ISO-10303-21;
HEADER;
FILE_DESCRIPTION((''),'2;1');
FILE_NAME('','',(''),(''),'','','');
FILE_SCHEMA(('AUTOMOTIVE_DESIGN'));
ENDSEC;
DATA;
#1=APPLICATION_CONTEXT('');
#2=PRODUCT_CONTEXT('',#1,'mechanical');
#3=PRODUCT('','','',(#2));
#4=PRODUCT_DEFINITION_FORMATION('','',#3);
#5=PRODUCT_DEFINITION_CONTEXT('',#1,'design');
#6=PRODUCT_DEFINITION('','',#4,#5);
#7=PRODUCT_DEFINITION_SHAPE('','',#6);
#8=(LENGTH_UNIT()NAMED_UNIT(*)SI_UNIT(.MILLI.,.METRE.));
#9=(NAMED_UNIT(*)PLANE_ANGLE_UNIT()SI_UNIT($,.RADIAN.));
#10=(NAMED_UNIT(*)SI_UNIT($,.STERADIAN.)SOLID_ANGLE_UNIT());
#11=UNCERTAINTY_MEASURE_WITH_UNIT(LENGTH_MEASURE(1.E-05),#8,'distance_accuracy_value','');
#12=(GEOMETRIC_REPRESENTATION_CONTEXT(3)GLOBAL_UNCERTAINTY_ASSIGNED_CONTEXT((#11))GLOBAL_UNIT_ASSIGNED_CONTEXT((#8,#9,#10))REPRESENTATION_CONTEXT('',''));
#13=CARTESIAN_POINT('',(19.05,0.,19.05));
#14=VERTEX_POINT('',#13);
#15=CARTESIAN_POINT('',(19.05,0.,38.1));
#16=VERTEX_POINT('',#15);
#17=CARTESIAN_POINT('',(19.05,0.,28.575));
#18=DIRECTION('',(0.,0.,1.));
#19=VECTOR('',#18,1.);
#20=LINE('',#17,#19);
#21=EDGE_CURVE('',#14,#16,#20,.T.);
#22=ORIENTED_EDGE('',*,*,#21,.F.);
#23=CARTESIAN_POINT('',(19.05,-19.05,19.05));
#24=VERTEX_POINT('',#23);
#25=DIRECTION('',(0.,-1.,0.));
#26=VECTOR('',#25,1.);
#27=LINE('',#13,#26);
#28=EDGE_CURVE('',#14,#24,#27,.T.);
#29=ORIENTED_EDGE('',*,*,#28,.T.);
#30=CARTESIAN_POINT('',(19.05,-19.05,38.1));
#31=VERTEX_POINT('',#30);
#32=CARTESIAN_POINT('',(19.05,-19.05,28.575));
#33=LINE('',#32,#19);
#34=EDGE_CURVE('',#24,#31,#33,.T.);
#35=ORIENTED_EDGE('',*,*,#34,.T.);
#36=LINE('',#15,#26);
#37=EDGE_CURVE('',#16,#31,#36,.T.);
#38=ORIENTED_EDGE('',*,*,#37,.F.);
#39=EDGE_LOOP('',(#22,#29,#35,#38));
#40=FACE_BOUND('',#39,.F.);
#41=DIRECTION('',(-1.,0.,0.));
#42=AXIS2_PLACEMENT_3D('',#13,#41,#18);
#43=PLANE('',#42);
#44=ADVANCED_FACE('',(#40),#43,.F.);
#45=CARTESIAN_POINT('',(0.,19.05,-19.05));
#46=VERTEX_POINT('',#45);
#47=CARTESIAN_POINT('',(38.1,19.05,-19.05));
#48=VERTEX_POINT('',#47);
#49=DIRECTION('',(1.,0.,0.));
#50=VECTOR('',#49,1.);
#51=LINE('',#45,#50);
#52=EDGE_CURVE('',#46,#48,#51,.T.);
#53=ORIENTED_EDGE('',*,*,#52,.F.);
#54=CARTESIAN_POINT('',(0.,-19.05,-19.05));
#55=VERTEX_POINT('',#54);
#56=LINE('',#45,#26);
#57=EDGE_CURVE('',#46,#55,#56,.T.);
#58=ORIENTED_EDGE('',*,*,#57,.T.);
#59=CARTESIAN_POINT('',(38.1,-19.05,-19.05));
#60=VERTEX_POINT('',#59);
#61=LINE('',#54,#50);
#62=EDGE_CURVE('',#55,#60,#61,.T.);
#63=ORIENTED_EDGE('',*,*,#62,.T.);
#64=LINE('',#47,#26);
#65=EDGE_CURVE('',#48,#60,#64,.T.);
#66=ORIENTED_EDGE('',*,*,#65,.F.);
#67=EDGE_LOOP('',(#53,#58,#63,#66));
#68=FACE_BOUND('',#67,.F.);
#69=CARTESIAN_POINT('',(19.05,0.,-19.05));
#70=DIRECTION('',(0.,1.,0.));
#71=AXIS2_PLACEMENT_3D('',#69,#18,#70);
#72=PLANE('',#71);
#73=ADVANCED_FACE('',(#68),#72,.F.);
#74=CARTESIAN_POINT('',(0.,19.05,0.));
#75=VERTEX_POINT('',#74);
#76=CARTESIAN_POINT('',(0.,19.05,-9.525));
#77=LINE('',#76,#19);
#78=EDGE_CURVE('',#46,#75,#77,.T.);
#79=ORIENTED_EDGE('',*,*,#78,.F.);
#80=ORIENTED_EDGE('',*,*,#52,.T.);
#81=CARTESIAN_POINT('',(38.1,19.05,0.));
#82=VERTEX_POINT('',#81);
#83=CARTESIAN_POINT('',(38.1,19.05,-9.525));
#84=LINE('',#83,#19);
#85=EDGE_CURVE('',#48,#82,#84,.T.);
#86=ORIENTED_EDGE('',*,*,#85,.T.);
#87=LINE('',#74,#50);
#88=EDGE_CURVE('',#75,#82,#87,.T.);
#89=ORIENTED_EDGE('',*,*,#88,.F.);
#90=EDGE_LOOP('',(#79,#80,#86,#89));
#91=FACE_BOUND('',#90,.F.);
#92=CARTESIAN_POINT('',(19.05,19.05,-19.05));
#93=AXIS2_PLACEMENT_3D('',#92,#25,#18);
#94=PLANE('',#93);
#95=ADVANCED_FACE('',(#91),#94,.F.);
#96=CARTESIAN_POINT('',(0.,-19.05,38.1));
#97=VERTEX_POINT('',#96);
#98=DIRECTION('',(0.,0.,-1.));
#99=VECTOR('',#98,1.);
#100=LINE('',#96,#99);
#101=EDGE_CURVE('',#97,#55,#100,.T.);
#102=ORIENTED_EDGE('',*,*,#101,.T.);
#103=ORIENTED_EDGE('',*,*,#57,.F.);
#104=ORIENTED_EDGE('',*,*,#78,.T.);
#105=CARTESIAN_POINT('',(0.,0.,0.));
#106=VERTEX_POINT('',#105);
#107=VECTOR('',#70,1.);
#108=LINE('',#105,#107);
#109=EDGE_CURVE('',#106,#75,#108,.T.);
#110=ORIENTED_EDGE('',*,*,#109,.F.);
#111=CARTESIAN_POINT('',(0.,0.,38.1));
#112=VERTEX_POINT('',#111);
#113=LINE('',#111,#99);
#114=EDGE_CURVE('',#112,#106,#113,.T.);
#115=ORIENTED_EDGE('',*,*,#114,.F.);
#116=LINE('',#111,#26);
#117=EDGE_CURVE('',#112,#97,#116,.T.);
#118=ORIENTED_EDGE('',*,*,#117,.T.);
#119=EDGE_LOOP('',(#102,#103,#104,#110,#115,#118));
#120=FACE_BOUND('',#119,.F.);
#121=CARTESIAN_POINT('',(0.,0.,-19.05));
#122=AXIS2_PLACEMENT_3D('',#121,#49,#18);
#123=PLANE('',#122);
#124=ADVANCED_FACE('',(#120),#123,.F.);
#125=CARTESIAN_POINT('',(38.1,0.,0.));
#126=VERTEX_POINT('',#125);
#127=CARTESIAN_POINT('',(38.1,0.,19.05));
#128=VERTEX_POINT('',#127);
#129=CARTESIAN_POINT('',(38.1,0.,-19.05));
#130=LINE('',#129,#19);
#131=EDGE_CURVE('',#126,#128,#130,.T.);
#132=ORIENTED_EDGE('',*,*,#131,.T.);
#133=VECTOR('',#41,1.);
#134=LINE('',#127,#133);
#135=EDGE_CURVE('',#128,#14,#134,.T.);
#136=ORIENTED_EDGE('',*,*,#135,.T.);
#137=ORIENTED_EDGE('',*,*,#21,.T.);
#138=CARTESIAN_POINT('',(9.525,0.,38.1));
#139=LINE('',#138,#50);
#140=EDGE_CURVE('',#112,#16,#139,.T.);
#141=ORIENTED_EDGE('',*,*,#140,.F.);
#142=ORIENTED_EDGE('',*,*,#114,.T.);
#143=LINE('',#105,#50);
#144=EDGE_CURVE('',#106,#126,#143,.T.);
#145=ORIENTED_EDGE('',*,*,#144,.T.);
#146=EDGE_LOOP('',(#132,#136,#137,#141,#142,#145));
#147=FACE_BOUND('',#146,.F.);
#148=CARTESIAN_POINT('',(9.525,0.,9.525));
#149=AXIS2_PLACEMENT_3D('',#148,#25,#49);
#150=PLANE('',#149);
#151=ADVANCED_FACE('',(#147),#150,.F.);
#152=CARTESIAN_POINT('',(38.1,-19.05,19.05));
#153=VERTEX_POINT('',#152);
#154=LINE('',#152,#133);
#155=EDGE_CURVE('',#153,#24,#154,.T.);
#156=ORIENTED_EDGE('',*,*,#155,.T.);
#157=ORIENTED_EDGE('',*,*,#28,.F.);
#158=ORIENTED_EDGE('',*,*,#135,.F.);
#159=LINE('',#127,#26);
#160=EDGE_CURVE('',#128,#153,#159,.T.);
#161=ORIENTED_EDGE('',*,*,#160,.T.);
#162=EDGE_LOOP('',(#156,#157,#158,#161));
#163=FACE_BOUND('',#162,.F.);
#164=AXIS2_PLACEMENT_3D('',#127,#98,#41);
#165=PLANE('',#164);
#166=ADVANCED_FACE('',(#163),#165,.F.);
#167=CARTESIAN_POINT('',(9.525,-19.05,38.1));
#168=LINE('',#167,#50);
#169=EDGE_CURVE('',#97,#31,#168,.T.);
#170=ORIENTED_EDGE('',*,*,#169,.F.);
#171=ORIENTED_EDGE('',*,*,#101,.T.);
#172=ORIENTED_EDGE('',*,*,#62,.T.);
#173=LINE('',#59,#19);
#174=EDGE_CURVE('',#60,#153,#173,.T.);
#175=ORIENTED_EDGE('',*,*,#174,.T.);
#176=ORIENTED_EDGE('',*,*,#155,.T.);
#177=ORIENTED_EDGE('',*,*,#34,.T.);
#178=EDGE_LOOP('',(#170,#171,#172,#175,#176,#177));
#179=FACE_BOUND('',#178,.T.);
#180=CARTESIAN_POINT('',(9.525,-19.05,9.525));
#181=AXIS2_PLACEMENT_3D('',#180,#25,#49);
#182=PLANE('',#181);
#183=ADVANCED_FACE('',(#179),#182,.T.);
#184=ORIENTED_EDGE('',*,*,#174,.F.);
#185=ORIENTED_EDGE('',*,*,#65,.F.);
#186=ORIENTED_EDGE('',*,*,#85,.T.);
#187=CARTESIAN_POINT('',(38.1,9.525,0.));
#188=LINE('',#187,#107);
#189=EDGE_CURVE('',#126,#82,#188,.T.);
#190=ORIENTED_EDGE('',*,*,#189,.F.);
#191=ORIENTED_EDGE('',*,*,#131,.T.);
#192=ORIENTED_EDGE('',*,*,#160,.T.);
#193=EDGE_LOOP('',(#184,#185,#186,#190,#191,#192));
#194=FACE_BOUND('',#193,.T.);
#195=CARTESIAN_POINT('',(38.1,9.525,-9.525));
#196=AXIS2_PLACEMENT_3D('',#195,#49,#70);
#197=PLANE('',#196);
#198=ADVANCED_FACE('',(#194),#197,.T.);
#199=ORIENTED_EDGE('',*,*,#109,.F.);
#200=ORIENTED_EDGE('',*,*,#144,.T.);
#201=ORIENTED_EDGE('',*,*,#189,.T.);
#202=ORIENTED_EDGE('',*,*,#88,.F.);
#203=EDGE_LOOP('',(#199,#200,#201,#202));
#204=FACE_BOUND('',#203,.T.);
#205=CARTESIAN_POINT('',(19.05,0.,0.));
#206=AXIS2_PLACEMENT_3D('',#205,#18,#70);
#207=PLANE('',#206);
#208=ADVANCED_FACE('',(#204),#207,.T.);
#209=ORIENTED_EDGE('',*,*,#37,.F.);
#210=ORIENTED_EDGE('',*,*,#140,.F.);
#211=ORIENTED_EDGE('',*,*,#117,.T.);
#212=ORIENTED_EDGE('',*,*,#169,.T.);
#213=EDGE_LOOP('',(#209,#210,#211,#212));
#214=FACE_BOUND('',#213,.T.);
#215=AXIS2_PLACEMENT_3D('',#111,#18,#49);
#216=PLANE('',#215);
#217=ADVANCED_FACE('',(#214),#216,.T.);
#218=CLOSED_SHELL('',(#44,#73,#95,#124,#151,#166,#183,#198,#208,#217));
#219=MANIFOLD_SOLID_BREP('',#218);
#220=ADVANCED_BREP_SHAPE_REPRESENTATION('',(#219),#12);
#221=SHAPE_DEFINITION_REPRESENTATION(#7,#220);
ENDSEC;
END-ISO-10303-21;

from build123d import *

# Parameters (mm, degrees)
F0_W      = 19.05
F0_H      = 19.05
F1_DEPTH  = 19.05
F2_W      = 19.05
F2_H      = 19.05
F3_DEPTH  = 19.05
F3_FACE_W = 19.05
F3_FACE_H = 19.05
F4_DEPTH  = 19.05


with BuildPart() as f1:
    # F0 (on Front) → F1 (new body)
    with BuildSketch(Plane.XZ):
        with Locations((9.525, 9.525)):
            Rectangle(F0_W, F0_H)
        with Locations((9.525, -9.525)):
            Rectangle(F0_W, F0_H)
        with Locations((28.575, -9.525)):
            Rectangle(F0_W, F0_H)
        with Locations((28.575, 9.525)):
            Rectangle(F0_W, F0_H)
        with Locations((9.525, 28.575)):
            Rectangle(F0_W, F0_H)
    extrude(amount=F1_DEPTH)

    # F2 (on Front) → F3 (join)
    with BuildSketch(Plane.XZ):
        with Locations((9.525, -9.525)):
            Rectangle(F2_W, F2_H)
    extrude(amount=-F3_DEPTH)

    # F3_face (on face) → F4 (join)
    with BuildSketch(Plane(origin=(19.05, 9.525, -9.525), x_dir=(0, 1, 0), z_dir=(1, 0, 0))):
        Rectangle(F3_FACE_W, F3_FACE_H)
    extrude(amount=F4_DEPTH)


solid = f1.part
